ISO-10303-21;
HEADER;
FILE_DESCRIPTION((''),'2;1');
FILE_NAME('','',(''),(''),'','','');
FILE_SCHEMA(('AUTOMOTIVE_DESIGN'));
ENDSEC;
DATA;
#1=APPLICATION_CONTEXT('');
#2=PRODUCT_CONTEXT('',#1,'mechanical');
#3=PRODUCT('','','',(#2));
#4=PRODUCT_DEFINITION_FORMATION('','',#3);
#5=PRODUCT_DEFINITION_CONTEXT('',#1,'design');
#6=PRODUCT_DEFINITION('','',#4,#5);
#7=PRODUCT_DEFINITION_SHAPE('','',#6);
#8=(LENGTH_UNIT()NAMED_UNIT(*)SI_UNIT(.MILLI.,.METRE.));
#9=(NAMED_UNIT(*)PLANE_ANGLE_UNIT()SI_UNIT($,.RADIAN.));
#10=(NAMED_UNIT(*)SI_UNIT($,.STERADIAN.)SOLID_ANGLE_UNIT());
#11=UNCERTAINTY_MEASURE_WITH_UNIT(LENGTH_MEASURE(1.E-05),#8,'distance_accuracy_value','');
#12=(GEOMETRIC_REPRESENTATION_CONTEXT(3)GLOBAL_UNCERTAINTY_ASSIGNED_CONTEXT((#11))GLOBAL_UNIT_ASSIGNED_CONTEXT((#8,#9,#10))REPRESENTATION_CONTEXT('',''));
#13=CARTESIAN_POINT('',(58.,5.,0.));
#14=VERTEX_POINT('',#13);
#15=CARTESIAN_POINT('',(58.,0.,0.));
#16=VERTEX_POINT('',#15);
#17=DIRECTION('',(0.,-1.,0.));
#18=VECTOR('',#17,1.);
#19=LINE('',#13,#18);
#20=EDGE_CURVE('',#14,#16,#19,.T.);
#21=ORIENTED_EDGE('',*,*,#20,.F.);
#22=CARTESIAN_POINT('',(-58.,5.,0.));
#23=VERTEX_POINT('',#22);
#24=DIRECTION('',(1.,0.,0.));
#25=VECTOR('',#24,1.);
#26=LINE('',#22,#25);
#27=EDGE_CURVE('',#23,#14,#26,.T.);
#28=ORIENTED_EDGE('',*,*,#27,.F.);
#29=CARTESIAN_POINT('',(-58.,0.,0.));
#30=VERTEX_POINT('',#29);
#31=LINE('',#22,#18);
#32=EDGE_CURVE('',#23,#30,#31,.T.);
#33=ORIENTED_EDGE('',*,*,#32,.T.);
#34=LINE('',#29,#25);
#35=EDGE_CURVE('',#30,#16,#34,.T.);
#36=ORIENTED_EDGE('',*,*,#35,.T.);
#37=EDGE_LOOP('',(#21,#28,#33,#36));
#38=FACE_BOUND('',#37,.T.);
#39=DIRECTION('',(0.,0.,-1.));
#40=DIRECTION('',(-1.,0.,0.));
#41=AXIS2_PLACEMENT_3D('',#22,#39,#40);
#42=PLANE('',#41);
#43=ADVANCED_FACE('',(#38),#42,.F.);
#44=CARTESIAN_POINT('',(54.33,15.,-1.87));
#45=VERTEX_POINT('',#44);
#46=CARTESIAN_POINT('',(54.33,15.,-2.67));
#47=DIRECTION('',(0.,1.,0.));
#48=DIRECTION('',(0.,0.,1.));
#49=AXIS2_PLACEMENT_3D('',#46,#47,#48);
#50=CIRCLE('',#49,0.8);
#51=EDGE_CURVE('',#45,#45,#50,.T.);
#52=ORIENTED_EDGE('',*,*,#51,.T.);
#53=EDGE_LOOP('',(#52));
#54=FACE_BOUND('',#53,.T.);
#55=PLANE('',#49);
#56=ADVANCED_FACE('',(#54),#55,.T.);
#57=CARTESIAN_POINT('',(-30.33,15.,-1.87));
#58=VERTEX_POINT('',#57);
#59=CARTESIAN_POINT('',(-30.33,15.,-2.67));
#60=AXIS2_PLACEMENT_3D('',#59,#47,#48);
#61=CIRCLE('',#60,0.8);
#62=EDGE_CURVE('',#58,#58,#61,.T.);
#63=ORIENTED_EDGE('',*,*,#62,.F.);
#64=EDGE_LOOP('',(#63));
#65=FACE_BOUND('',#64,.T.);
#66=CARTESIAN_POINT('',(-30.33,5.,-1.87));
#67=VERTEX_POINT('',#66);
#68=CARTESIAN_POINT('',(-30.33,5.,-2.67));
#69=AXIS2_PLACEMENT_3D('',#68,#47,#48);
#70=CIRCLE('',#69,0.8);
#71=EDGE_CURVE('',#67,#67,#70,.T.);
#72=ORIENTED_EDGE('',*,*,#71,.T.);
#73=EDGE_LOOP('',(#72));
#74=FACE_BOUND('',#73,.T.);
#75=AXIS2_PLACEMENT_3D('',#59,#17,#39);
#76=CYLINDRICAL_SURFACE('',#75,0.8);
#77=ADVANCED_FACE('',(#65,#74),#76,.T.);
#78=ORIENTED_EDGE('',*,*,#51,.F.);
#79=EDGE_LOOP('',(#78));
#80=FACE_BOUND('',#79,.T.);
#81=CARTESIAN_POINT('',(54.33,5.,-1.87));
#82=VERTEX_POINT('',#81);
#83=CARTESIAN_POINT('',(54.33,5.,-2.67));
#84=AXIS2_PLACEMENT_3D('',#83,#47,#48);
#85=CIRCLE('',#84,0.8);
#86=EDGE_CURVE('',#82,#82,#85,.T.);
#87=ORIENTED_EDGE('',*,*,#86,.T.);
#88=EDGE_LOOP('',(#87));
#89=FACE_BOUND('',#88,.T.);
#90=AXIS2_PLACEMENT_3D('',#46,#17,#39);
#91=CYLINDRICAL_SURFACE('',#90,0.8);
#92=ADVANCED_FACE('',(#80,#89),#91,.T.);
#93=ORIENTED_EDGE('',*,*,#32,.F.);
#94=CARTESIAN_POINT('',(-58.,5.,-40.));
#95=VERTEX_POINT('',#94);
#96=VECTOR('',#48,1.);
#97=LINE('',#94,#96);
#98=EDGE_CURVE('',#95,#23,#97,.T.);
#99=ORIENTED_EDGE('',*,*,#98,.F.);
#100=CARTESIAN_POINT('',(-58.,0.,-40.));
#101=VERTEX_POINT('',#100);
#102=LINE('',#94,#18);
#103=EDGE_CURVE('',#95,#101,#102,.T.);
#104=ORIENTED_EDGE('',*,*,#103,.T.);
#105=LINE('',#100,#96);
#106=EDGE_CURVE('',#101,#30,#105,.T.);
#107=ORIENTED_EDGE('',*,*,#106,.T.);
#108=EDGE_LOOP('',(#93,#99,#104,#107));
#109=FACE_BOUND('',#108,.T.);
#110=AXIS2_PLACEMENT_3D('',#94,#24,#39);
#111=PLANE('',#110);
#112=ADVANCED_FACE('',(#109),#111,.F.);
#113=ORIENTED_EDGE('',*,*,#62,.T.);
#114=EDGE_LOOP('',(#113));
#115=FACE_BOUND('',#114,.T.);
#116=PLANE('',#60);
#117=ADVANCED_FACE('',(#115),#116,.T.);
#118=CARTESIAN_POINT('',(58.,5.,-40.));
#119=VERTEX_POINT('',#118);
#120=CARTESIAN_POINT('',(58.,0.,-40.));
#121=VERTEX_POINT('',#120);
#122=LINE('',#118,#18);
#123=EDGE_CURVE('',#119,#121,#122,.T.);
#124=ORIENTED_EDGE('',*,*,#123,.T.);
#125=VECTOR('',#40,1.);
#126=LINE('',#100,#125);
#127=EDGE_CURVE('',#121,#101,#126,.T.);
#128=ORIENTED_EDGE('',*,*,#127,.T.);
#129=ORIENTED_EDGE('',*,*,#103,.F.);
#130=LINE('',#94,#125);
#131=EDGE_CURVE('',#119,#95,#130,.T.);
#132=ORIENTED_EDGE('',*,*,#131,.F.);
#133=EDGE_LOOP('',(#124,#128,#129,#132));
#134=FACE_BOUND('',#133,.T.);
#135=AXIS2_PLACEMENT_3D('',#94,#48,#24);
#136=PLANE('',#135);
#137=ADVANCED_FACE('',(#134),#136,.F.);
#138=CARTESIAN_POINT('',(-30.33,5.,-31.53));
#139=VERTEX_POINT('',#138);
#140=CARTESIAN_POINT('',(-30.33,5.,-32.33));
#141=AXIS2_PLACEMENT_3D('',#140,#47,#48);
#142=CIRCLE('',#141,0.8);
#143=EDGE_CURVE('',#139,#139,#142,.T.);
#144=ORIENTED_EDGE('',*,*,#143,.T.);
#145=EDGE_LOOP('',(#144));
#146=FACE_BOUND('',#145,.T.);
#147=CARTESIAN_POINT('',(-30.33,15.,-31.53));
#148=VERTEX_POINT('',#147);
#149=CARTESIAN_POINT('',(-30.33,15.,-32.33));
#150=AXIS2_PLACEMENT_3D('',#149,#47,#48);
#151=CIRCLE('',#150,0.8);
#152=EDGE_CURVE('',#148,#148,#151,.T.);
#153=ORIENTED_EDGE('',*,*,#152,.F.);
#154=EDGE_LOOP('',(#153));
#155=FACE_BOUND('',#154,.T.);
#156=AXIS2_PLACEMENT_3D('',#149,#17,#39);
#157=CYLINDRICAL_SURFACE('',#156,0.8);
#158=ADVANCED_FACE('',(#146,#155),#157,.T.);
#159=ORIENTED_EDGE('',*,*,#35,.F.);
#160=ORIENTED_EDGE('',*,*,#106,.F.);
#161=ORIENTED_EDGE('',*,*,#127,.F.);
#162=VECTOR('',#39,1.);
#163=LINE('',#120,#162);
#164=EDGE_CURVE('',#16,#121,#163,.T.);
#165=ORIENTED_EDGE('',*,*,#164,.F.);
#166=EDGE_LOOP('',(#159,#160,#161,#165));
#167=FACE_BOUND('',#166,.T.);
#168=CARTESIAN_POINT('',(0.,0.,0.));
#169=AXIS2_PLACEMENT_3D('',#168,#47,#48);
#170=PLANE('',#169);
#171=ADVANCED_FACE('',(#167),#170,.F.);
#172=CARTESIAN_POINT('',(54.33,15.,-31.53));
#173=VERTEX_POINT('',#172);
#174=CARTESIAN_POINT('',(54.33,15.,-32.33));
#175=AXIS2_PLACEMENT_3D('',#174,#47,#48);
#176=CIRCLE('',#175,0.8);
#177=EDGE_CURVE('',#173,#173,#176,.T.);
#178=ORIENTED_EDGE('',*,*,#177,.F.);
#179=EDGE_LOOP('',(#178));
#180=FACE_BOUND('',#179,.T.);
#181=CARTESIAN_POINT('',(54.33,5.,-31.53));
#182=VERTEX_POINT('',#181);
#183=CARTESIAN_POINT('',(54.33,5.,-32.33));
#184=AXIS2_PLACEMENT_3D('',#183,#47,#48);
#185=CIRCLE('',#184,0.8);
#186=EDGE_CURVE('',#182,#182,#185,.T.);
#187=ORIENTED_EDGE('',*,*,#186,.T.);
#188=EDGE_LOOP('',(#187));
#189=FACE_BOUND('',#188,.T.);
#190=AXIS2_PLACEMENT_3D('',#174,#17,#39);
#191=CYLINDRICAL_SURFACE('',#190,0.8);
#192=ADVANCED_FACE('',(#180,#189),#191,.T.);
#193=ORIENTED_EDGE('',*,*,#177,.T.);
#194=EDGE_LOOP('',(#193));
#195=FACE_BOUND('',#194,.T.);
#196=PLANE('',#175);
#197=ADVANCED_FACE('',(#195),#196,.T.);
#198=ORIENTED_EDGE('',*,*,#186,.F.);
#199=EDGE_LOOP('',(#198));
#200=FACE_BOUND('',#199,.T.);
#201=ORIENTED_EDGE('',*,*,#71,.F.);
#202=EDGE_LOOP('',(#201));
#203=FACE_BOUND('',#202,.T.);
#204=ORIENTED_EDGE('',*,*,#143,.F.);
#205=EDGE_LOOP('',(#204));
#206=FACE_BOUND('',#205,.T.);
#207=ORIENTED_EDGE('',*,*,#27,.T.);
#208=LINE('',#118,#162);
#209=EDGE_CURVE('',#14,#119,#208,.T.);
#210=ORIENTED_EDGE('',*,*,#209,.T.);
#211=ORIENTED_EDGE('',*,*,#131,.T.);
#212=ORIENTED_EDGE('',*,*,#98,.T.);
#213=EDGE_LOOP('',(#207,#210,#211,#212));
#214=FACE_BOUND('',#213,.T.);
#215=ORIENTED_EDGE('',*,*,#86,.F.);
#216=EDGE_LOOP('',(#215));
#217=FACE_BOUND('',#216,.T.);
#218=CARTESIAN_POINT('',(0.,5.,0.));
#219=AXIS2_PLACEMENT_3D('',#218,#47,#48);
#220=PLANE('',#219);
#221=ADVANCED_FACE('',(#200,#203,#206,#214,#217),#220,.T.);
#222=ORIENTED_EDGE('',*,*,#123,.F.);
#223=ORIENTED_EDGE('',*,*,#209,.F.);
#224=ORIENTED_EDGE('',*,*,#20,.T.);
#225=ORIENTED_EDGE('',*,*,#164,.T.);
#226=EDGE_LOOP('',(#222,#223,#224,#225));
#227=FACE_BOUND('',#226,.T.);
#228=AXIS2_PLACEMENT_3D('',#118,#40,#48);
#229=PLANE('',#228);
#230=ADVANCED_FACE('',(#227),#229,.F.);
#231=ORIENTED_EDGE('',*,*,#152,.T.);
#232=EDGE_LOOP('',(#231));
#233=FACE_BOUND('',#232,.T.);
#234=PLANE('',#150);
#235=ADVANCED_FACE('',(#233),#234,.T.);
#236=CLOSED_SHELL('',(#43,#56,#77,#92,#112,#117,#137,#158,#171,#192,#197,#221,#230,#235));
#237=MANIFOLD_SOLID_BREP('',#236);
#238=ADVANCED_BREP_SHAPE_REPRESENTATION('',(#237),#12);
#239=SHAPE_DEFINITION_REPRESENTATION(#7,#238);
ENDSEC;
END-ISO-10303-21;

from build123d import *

# Parameters (mm, degrees)
SKETCH2_W           = 116
SKETCH2_H           = 40
BOSS_EXTRUDE1_DEPTH = 5
SKETCH3_R           = 0.8
BOSS_EXTRUDE4_DEPTH = 10


with BuildPart() as part:
    # Sketch2 → Boss-Extrude1 (new body)
    with BuildSketch(Plane(origin=(0, 0, 0), x_dir=(1, 0, 0), z_dir=(0, 1, 0))):
        with Locations((0, 20)):
            Rectangle(SKETCH2_W, SKETCH2_H)
    extrude(amount=BOSS_EXTRUDE1_DEPTH)

    # Sketch3 → Boss-Extrude4 (add)
    with BuildSketch(Plane(origin=(0, 5, 0), x_dir=(1, 0, 0), z_dir=(0, 1, 0))):
        with Locations(Location((54.33, 32.33, 0), (0, 0, 270))):
            Circle(SKETCH3_R)
        with Locations(Location((54.33, 2.67, 0), (0, 0, 270))):
            Circle(SKETCH3_R)
        with Locations(Location((-30.33, 2.67, 0), (0, 0, 270))):
            Circle(SKETCH3_R)
        with Locations(Location((-30.33, 32.33, 0), (0, 0, 270))):
            Circle(SKETCH3_R)
    extrude(amount=BOSS_EXTRUDE4_DEPTH)


solid = part.part
